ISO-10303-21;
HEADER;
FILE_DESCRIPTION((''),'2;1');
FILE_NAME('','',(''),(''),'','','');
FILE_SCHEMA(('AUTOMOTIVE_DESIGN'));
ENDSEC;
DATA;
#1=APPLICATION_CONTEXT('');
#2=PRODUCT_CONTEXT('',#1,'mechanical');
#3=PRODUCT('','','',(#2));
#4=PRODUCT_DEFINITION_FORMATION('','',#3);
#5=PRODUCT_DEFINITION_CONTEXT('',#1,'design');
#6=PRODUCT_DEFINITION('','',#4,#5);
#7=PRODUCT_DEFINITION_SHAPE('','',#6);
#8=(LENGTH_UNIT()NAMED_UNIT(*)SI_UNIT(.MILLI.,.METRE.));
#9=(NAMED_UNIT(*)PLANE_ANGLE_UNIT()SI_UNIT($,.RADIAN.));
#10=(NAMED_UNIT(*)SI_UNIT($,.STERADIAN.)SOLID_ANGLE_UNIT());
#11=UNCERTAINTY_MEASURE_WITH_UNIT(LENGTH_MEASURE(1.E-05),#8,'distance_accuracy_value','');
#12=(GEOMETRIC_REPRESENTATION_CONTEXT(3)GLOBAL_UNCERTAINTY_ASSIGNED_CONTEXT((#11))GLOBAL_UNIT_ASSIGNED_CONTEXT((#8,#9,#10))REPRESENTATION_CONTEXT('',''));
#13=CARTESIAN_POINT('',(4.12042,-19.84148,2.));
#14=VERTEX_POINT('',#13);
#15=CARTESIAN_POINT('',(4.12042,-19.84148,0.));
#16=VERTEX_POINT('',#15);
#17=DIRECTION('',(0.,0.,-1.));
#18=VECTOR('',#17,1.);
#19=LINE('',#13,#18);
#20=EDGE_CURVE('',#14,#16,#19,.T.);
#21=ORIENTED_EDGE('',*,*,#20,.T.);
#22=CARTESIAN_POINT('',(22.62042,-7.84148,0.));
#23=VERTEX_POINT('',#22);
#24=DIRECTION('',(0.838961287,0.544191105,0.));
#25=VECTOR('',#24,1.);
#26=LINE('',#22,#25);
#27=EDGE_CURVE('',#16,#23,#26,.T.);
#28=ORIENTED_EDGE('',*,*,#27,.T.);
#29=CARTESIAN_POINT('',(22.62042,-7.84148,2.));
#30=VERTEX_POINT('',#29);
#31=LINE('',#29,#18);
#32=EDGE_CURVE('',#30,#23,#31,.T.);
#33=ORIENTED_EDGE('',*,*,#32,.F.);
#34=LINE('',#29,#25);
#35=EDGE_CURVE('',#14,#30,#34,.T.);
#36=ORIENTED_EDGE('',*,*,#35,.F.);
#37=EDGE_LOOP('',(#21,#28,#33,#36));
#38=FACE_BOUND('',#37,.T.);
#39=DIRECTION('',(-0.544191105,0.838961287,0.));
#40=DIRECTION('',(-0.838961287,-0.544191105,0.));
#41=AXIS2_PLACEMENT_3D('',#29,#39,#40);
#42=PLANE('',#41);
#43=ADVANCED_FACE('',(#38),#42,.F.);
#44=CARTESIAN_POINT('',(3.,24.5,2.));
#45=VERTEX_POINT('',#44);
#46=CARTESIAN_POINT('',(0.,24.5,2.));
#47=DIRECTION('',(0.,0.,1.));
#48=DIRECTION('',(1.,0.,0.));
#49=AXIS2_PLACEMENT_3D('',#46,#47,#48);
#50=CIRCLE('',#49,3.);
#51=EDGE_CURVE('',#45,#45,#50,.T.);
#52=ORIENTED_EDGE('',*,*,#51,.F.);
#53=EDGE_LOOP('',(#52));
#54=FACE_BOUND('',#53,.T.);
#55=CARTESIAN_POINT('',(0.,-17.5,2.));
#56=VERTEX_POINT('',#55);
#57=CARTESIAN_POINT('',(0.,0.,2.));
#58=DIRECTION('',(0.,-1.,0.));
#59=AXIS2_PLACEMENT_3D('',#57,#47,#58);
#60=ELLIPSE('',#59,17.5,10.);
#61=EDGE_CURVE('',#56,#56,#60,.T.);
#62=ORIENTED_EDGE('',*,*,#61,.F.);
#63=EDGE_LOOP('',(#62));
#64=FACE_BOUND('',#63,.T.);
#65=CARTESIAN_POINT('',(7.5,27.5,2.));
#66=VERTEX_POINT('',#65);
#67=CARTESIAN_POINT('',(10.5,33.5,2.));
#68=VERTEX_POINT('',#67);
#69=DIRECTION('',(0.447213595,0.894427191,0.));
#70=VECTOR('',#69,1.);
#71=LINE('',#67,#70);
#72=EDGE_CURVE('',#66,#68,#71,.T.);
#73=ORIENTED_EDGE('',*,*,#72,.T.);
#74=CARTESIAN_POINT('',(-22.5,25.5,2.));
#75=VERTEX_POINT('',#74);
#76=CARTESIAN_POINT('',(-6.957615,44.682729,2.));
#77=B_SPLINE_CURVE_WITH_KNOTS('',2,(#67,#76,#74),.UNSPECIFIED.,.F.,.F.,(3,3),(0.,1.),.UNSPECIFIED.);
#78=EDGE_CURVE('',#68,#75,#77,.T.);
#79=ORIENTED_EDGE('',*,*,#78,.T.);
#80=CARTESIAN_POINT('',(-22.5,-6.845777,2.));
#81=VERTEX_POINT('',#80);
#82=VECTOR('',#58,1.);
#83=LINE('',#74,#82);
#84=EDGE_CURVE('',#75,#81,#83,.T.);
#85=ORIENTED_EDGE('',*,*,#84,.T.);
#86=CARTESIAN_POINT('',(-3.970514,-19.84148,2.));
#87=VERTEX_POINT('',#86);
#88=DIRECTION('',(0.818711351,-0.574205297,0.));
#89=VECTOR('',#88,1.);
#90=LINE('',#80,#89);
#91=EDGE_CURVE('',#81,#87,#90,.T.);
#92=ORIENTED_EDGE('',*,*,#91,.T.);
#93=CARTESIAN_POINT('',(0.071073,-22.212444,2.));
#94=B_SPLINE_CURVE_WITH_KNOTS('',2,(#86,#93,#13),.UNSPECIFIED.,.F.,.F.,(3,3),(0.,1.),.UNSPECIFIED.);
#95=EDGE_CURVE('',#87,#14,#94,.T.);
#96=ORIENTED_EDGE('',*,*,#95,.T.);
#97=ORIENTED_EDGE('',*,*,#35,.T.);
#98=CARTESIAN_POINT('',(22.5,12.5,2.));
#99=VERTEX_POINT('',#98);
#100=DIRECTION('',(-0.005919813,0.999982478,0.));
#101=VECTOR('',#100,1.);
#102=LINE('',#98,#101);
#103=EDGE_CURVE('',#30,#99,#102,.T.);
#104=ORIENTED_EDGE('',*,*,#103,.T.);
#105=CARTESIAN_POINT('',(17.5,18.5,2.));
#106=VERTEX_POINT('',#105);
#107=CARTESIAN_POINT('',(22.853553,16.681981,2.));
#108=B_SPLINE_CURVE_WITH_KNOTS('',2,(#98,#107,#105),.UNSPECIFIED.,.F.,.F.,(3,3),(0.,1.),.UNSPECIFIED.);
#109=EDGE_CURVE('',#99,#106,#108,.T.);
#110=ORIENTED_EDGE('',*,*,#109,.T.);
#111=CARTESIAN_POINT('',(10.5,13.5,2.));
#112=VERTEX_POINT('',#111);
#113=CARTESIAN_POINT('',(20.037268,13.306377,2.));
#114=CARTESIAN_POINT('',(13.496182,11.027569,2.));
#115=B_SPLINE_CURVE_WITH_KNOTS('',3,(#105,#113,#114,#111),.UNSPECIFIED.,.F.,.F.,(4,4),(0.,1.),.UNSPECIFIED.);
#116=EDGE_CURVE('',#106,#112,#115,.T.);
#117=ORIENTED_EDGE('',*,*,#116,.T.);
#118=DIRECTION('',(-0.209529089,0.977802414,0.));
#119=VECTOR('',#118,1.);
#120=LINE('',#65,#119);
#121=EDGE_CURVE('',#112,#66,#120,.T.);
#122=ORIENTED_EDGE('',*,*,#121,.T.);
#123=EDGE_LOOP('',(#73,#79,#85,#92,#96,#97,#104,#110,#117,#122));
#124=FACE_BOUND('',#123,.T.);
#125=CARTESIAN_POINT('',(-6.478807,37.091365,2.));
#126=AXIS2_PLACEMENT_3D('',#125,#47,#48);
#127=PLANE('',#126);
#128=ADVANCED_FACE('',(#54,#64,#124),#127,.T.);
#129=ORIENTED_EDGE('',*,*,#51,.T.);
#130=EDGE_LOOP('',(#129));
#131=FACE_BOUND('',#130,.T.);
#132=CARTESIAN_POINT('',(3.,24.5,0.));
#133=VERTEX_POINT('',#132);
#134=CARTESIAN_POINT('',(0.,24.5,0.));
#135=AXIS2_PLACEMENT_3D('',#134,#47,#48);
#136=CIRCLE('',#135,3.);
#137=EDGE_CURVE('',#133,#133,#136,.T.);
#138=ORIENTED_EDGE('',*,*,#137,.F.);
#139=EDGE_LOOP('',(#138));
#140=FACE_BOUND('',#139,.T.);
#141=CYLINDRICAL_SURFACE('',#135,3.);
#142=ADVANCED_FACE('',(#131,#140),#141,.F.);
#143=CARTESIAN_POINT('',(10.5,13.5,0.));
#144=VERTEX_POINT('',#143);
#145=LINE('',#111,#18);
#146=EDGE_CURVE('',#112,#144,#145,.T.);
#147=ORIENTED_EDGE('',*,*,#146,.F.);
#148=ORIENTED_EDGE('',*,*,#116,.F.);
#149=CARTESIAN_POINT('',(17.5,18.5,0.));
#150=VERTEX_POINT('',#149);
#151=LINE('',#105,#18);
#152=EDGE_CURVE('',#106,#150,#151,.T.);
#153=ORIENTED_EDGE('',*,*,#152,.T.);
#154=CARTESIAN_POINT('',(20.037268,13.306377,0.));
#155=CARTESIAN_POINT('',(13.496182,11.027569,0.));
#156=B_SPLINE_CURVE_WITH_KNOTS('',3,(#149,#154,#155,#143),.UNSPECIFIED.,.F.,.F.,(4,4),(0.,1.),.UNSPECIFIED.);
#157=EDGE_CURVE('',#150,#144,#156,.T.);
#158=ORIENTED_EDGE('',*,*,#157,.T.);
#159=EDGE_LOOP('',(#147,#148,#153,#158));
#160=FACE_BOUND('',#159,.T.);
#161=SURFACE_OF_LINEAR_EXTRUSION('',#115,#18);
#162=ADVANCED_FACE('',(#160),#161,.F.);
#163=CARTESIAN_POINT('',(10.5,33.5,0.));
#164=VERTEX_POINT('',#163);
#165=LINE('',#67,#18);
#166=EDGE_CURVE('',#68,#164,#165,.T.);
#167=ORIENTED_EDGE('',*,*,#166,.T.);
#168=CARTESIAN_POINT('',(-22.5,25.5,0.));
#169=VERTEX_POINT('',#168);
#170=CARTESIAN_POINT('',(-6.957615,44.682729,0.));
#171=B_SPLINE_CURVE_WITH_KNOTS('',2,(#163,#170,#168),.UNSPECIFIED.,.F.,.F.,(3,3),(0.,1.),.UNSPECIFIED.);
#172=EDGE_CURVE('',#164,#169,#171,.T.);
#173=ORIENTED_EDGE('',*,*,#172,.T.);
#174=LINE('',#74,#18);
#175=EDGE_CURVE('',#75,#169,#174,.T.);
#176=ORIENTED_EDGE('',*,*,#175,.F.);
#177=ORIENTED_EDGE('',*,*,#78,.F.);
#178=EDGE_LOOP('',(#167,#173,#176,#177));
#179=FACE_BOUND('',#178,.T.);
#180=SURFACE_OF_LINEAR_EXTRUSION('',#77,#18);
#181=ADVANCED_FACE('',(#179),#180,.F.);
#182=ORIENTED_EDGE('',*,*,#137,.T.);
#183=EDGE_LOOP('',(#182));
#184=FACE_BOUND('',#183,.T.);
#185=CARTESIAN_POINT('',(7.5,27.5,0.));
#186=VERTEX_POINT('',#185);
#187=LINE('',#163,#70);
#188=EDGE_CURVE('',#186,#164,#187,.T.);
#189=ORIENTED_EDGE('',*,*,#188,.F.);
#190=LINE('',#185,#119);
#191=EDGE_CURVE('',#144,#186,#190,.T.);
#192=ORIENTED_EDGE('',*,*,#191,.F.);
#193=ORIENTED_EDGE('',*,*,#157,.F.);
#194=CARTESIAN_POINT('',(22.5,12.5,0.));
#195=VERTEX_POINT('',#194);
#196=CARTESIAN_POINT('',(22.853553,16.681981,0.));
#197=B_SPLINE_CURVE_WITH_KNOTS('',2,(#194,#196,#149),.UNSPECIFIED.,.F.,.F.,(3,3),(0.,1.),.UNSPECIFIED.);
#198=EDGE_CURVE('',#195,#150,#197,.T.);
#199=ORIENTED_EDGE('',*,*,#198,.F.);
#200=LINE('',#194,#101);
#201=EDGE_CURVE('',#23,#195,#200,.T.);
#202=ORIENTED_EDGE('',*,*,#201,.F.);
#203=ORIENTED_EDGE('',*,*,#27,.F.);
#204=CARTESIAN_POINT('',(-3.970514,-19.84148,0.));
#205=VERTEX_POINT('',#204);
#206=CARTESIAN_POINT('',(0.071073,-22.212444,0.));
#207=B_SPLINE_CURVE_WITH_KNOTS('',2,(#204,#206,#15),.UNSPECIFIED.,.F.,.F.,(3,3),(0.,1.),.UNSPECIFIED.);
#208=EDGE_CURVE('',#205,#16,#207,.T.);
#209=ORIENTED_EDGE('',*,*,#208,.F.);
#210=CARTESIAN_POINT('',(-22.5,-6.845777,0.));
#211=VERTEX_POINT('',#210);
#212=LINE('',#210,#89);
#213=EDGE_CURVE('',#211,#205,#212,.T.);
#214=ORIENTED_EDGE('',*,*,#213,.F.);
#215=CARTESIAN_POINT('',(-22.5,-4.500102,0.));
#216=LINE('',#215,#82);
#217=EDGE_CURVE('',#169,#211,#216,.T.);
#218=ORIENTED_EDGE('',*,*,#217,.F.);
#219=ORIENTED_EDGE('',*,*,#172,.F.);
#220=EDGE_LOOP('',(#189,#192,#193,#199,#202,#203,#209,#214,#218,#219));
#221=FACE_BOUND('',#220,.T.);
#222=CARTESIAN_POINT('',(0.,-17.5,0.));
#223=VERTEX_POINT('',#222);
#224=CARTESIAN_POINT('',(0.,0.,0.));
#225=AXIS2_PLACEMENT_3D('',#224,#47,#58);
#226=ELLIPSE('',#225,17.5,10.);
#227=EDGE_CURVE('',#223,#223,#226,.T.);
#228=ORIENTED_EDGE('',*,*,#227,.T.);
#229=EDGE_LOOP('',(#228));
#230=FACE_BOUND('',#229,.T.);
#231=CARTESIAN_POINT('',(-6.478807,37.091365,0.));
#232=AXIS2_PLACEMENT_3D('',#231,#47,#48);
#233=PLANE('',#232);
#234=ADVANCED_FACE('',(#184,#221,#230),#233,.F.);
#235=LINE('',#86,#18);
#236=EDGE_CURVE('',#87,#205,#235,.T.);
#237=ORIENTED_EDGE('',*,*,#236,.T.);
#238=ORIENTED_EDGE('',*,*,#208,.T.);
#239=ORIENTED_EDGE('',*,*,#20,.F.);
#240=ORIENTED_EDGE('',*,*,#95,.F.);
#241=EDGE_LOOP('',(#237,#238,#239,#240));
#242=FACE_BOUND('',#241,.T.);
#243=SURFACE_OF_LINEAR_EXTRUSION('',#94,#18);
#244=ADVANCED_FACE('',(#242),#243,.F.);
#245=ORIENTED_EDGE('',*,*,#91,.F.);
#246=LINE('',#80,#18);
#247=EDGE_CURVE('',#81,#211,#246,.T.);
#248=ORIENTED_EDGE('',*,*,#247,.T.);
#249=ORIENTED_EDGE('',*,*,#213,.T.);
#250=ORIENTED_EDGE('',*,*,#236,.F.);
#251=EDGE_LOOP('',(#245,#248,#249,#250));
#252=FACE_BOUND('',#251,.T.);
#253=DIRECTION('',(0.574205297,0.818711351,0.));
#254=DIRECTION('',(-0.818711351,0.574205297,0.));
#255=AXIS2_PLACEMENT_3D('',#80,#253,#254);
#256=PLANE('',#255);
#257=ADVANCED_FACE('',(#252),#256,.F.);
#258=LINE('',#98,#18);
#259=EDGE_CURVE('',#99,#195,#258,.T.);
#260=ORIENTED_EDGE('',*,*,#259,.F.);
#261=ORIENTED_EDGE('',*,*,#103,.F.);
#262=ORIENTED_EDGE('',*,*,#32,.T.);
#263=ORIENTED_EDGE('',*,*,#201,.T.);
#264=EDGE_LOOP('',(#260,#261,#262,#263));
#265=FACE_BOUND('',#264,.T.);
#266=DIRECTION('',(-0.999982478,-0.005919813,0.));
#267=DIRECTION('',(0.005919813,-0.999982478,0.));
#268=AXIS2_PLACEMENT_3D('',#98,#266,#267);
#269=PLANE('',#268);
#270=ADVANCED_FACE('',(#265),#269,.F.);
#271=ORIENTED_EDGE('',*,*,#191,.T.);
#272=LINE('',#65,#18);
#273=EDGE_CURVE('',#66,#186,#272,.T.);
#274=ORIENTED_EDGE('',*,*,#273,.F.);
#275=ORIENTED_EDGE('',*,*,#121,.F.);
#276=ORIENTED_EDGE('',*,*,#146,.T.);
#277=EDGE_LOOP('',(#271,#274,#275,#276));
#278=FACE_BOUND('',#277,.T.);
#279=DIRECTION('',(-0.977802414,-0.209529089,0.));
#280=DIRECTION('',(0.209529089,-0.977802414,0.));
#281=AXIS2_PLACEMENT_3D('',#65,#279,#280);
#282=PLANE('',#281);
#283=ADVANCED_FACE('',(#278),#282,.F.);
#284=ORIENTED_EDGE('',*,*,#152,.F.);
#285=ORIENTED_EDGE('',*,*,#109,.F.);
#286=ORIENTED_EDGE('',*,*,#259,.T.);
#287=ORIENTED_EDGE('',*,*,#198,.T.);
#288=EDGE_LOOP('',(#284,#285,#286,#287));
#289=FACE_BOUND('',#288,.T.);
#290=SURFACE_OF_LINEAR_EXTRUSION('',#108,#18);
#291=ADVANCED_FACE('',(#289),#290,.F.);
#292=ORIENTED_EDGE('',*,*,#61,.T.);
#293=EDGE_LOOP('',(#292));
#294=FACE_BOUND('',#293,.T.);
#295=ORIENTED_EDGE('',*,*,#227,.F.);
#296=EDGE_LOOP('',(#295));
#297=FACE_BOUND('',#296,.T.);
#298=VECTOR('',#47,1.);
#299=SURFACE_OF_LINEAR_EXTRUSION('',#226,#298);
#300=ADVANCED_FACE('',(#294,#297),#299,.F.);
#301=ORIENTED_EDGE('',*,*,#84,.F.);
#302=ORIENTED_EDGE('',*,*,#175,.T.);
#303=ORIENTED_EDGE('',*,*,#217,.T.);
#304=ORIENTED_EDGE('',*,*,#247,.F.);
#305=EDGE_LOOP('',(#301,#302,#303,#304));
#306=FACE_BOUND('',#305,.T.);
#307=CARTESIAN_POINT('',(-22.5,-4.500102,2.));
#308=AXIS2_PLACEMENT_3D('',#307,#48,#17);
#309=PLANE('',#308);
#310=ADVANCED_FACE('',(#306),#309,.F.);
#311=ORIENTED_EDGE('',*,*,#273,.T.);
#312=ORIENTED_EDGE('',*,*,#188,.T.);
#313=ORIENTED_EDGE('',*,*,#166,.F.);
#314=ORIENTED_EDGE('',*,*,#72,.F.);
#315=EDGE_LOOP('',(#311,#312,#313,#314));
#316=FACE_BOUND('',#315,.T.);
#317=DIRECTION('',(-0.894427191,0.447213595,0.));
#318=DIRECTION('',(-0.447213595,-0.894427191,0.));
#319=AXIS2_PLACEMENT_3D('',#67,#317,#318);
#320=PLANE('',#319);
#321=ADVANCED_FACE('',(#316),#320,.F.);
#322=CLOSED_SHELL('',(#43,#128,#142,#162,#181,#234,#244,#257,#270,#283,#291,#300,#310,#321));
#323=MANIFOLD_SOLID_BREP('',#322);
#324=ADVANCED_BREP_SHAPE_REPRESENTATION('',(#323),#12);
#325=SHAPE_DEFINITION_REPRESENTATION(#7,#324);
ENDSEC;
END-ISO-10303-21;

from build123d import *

# Parameters (mm, degrees)
BOSS_EXTRUDE1_DEPTH = 2
SKETCH2_R           = 3
CUT_EXTRUDE1_DEPTH  = 44.941077942
SKETCH3_RX          = 17.5
SKETCH3_RY          = 10
CUT_EXTRUDE2_DEPTH  = 44.941077942


with BuildPart() as part:
    # Sketch1 → Boss-Extrude1 (new body)
    with BuildSketch(Plane.XY):
        with BuildLine():
            Line((10.5, 33.5), (7.5, 27.5))
            Line((7.5, 27.5), (10.5, 13.5))
            add(Edge.make_bspline(
                [(10.5, 13.5), (13.496182411, 11.027569171), (20.037267901, 13.306377108), (17.5, 18.5)],
                knots=[0, 0, 0, 0, 1, 1, 1, 1], degree=3))
            add(Edge.make_bspline(
                [(17.5, 18.5), (22.853553391, 16.681980515), (22.5, 12.5)],
                knots=[0, 0, 0, 1, 1, 1], degree=2))
            Line((22.5, 12.5), (22.62041986, -7.841479807))
            Line((22.62041986, -7.841479807), (4.12041986, -19.841479807))
            add(Edge.make_bspline(
                [(-3.970513587, -19.841479807), (0.071073188, -22.212443979), (4.12041986, -19.841479807)],
                knots=[0, 0, 0, 1, 1, 1], degree=2))
            Line((-3.970513587, -19.841479807), (-22.5, -6.845777179))
            Line((-22.5, -6.845777179), (-22.5, -4.500101611))
            Line((-22.5, -4.500101611), (-22.5, 25.5))
            add(Edge.make_bspline(
                [(-22.5, 25.5), (-6.957614564, 44.682729257), (10.5, 33.5)],
                knots=[0, 0, 0, 1, 1, 1], degree=2))
        make_face()
    extrude(amount=BOSS_EXTRUDE1_DEPTH)

    # Sketch2 → Cut-Extrude1 (cut, through all)
    with BuildSketch(Plane.XY.offset(2)):
        with Locations((0, 24.5)):
            Circle(SKETCH2_R)
    extrude(amount=-CUT_EXTRUDE1_DEPTH, mode=Mode.SUBTRACT)

    # Sketch3 → Cut-Extrude2 (cut, through all)
    with BuildSketch(Plane.XY.offset(2)):
        with Locations(Location((0, 0), (0, 0, -90))):
            Ellipse(SKETCH3_RX, SKETCH3_RY)
    extrude(amount=-CUT_EXTRUDE2_DEPTH, mode=Mode.SUBTRACT)


solid = part.part
